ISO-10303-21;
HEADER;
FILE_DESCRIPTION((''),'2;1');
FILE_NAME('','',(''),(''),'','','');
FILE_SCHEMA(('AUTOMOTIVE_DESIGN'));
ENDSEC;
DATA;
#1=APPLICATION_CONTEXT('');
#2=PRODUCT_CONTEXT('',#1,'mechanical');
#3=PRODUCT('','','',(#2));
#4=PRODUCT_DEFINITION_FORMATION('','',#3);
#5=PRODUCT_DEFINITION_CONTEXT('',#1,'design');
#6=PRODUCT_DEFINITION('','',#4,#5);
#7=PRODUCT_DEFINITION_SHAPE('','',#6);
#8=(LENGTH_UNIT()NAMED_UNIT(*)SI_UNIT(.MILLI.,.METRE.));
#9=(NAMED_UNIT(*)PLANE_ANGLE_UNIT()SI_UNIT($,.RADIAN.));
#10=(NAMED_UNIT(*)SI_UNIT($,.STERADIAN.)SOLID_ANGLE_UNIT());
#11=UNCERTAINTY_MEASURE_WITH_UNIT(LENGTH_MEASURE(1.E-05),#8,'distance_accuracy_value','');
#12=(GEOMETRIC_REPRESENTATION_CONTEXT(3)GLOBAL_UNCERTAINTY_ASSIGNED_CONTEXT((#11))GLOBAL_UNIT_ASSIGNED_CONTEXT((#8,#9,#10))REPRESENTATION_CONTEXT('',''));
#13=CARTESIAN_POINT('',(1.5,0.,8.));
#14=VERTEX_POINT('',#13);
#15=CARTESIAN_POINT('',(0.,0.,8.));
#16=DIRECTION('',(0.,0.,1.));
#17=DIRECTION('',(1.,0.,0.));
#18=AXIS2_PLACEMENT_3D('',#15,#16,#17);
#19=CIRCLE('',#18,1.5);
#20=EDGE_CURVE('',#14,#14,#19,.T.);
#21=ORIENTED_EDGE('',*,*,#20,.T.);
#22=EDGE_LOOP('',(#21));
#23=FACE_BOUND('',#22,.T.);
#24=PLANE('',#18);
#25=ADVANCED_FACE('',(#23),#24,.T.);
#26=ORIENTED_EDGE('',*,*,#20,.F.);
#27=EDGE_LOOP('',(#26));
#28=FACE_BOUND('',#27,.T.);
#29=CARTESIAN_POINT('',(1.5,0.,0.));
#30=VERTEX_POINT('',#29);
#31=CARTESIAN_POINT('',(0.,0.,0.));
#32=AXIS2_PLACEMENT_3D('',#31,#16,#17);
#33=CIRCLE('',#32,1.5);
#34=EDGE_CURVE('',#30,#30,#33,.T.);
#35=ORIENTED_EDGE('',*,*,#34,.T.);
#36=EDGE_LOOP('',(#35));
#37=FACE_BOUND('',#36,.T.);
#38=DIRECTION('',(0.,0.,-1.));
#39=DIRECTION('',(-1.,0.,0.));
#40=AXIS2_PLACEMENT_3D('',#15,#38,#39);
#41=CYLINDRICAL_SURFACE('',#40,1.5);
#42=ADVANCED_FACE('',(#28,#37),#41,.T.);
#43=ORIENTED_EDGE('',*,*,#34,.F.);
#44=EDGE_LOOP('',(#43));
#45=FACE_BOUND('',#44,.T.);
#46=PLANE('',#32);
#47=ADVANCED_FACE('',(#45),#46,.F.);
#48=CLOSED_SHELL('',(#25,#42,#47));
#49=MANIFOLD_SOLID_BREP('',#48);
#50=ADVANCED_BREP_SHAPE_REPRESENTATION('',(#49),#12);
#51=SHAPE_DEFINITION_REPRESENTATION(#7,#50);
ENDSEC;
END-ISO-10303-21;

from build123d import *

# Parameters (mm, degrees)
SKETCH_1_R      = 1.5
EXTRUDE_1_DEPTH = 8


with BuildPart() as part:
    # 草图1 → 凸台-拉伸1 (new body)
    with BuildSketch(Plane.XY):
        Circle(SKETCH_1_R)
    extrude(amount=EXTRUDE_1_DEPTH)


solid = part.part
